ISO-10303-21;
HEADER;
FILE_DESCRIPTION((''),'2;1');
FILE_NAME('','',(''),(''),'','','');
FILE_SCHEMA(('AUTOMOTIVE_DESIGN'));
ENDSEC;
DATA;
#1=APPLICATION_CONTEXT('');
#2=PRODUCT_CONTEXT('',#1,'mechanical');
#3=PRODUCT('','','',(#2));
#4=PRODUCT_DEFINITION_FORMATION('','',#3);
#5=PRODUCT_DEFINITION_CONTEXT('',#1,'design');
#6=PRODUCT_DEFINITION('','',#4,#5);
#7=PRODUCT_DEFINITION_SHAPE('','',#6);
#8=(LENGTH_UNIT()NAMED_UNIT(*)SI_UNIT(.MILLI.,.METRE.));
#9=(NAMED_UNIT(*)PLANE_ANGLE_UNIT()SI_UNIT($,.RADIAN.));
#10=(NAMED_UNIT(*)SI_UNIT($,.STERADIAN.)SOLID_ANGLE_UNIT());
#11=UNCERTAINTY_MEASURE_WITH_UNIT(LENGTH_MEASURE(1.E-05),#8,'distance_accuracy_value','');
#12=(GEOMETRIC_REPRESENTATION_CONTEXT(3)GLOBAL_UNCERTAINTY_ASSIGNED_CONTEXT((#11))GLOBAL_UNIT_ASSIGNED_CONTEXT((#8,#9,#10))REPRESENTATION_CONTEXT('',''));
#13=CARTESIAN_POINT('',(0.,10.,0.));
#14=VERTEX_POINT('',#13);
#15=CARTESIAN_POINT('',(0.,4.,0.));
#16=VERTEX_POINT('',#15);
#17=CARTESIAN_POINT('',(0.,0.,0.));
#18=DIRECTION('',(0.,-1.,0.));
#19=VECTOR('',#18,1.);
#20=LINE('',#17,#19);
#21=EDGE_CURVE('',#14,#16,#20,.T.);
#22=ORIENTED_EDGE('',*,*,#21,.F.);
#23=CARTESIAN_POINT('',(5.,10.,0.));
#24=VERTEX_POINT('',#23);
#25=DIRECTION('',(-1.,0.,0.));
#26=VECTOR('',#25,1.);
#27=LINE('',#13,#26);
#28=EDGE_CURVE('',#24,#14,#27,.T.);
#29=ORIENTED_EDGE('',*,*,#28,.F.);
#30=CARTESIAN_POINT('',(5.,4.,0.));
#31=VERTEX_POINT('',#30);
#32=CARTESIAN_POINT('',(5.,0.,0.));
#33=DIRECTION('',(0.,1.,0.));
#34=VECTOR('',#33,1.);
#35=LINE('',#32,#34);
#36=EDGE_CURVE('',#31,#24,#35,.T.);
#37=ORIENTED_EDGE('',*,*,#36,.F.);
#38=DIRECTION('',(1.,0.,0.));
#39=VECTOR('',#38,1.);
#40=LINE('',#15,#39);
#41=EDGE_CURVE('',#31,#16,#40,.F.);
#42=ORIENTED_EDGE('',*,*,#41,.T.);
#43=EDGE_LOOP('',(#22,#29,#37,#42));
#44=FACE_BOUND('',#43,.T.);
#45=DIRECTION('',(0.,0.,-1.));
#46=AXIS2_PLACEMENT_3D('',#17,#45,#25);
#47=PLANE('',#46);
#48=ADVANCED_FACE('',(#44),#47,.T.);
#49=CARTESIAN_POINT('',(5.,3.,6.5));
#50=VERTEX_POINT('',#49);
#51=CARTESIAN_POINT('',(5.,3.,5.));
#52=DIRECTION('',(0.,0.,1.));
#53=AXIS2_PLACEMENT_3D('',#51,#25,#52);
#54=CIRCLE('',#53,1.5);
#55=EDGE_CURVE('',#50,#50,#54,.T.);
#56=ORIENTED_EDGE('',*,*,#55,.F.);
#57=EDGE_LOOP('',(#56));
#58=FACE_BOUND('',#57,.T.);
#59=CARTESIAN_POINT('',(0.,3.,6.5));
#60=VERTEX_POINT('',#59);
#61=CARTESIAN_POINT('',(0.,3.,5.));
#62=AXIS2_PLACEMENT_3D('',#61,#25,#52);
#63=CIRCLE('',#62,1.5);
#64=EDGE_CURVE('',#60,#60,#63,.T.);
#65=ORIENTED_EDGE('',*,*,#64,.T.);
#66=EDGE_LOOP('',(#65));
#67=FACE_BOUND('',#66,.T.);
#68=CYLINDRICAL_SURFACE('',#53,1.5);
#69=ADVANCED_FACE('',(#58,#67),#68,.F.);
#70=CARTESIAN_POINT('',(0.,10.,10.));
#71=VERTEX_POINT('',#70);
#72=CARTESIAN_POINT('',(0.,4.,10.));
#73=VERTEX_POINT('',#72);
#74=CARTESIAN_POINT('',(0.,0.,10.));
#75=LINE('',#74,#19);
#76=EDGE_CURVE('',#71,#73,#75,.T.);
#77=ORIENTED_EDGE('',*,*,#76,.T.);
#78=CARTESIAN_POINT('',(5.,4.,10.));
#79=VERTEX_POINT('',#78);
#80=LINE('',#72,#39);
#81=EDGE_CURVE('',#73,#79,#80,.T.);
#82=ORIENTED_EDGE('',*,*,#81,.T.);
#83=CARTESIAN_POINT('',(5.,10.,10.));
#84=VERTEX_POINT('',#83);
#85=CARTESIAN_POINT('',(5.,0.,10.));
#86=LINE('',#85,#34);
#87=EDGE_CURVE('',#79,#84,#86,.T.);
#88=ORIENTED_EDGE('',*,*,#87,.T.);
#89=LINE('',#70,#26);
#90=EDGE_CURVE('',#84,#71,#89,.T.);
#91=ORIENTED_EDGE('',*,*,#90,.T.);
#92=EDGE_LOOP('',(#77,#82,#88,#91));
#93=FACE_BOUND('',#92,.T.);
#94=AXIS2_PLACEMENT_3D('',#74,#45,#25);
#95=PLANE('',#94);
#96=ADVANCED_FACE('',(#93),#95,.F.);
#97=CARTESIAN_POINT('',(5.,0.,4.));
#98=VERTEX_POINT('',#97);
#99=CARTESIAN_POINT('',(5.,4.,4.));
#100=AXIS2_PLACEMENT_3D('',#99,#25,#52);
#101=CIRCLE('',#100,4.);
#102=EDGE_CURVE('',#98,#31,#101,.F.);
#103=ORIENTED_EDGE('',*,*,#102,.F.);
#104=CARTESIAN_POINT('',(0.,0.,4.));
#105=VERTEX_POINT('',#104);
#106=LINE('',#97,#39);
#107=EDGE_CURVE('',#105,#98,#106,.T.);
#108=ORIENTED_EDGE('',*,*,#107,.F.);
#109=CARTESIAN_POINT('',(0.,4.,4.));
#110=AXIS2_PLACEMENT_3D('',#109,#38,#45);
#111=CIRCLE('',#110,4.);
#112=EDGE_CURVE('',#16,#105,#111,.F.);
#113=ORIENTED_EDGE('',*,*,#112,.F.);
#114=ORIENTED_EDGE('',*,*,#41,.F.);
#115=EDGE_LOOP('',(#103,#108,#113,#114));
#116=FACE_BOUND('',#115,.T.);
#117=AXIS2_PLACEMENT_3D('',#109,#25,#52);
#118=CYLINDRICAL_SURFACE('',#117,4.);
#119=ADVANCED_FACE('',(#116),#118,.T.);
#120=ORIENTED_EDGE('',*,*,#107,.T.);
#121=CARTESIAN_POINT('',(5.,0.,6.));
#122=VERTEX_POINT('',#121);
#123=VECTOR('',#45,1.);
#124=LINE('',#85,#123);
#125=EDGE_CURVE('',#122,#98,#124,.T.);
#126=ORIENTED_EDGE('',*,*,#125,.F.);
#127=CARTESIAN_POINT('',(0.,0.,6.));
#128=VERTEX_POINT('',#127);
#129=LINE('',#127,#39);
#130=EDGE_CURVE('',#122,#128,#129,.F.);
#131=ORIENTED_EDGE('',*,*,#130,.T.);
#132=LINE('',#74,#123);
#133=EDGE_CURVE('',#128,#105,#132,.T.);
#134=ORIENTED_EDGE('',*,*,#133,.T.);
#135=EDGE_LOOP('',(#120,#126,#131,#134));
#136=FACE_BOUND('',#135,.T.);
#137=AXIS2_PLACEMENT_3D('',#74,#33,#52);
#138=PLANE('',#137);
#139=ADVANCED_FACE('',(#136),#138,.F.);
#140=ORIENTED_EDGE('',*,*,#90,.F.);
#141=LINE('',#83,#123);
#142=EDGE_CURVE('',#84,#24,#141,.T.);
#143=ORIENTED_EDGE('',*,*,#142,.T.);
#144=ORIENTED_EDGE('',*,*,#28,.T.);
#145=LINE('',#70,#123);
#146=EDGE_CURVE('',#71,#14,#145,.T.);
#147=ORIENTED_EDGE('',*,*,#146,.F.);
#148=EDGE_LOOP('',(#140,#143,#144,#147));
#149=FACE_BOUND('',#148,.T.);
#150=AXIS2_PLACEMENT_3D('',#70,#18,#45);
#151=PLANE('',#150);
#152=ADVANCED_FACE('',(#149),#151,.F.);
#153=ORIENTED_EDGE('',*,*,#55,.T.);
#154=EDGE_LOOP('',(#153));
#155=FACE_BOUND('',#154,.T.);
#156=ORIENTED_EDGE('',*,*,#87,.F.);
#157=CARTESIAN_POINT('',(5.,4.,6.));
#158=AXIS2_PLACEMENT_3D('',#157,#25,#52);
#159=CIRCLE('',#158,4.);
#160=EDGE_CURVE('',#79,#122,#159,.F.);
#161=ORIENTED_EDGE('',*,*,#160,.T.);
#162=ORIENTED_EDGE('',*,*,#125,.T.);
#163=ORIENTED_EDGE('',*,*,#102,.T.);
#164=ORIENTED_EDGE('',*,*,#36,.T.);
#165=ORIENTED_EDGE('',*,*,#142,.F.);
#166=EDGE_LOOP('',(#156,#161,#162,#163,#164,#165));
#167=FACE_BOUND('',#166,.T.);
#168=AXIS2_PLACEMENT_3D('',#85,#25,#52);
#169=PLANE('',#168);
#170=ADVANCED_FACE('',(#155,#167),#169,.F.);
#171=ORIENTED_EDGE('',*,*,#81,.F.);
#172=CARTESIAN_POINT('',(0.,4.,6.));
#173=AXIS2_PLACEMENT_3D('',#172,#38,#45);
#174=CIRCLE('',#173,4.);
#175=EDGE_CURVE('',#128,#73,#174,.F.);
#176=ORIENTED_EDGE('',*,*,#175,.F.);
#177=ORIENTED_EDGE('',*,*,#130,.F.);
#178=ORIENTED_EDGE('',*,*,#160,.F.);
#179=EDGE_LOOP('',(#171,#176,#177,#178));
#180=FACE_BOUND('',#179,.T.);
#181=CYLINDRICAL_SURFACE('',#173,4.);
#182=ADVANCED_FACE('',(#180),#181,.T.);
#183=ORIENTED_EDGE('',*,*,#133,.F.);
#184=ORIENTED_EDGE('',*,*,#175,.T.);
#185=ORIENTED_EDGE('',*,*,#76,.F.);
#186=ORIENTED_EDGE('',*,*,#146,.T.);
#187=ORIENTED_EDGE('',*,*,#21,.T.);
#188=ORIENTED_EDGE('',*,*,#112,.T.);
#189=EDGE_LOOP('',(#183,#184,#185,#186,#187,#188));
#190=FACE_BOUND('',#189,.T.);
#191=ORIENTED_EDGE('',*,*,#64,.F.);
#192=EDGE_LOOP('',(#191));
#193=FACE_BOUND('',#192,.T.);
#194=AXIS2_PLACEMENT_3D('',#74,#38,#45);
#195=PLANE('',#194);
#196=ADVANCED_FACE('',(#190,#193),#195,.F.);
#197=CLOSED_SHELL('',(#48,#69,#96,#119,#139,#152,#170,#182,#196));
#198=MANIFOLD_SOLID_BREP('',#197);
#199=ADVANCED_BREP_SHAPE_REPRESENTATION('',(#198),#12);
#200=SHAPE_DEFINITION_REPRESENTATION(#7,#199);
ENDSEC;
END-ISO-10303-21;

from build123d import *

# Parameters (mm, degrees)
SKETCH1_W           = 5
SKETCH1_H           = 10
BOSS_EXTRUDE1_DEPTH = 10
SKETCH2_R           = 1.5
CUT_EXTRUDE1_DEPTH  = 16
FILLET1_R           = 4


with BuildPart() as part:
    # Sketch1 → Boss-Extrude1 (new body)
    with BuildSketch(Plane.XY):
        with Locations((2.5, 5)):
            Rectangle(SKETCH1_W, SKETCH1_H)
    extrude(amount=BOSS_EXTRUDE1_DEPTH)

    # Sketch2 → Cut-Extrude1 (cut, through all)
    with BuildSketch(Plane.ZY):
        with Locations((5, 3)):
            Circle(SKETCH2_R)
    extrude(amount=-CUT_EXTRUDE1_DEPTH, mode=Mode.SUBTRACT)

    # Fillet1
    fillet1_edges = [part.edges().sort_by_distance(p)[0] for p in [
        (2.5, 0, 0),
        (2.5, 0, 10),
    ]]
    fillet(fillet1_edges, radius=FILLET1_R)


solid = part.part
